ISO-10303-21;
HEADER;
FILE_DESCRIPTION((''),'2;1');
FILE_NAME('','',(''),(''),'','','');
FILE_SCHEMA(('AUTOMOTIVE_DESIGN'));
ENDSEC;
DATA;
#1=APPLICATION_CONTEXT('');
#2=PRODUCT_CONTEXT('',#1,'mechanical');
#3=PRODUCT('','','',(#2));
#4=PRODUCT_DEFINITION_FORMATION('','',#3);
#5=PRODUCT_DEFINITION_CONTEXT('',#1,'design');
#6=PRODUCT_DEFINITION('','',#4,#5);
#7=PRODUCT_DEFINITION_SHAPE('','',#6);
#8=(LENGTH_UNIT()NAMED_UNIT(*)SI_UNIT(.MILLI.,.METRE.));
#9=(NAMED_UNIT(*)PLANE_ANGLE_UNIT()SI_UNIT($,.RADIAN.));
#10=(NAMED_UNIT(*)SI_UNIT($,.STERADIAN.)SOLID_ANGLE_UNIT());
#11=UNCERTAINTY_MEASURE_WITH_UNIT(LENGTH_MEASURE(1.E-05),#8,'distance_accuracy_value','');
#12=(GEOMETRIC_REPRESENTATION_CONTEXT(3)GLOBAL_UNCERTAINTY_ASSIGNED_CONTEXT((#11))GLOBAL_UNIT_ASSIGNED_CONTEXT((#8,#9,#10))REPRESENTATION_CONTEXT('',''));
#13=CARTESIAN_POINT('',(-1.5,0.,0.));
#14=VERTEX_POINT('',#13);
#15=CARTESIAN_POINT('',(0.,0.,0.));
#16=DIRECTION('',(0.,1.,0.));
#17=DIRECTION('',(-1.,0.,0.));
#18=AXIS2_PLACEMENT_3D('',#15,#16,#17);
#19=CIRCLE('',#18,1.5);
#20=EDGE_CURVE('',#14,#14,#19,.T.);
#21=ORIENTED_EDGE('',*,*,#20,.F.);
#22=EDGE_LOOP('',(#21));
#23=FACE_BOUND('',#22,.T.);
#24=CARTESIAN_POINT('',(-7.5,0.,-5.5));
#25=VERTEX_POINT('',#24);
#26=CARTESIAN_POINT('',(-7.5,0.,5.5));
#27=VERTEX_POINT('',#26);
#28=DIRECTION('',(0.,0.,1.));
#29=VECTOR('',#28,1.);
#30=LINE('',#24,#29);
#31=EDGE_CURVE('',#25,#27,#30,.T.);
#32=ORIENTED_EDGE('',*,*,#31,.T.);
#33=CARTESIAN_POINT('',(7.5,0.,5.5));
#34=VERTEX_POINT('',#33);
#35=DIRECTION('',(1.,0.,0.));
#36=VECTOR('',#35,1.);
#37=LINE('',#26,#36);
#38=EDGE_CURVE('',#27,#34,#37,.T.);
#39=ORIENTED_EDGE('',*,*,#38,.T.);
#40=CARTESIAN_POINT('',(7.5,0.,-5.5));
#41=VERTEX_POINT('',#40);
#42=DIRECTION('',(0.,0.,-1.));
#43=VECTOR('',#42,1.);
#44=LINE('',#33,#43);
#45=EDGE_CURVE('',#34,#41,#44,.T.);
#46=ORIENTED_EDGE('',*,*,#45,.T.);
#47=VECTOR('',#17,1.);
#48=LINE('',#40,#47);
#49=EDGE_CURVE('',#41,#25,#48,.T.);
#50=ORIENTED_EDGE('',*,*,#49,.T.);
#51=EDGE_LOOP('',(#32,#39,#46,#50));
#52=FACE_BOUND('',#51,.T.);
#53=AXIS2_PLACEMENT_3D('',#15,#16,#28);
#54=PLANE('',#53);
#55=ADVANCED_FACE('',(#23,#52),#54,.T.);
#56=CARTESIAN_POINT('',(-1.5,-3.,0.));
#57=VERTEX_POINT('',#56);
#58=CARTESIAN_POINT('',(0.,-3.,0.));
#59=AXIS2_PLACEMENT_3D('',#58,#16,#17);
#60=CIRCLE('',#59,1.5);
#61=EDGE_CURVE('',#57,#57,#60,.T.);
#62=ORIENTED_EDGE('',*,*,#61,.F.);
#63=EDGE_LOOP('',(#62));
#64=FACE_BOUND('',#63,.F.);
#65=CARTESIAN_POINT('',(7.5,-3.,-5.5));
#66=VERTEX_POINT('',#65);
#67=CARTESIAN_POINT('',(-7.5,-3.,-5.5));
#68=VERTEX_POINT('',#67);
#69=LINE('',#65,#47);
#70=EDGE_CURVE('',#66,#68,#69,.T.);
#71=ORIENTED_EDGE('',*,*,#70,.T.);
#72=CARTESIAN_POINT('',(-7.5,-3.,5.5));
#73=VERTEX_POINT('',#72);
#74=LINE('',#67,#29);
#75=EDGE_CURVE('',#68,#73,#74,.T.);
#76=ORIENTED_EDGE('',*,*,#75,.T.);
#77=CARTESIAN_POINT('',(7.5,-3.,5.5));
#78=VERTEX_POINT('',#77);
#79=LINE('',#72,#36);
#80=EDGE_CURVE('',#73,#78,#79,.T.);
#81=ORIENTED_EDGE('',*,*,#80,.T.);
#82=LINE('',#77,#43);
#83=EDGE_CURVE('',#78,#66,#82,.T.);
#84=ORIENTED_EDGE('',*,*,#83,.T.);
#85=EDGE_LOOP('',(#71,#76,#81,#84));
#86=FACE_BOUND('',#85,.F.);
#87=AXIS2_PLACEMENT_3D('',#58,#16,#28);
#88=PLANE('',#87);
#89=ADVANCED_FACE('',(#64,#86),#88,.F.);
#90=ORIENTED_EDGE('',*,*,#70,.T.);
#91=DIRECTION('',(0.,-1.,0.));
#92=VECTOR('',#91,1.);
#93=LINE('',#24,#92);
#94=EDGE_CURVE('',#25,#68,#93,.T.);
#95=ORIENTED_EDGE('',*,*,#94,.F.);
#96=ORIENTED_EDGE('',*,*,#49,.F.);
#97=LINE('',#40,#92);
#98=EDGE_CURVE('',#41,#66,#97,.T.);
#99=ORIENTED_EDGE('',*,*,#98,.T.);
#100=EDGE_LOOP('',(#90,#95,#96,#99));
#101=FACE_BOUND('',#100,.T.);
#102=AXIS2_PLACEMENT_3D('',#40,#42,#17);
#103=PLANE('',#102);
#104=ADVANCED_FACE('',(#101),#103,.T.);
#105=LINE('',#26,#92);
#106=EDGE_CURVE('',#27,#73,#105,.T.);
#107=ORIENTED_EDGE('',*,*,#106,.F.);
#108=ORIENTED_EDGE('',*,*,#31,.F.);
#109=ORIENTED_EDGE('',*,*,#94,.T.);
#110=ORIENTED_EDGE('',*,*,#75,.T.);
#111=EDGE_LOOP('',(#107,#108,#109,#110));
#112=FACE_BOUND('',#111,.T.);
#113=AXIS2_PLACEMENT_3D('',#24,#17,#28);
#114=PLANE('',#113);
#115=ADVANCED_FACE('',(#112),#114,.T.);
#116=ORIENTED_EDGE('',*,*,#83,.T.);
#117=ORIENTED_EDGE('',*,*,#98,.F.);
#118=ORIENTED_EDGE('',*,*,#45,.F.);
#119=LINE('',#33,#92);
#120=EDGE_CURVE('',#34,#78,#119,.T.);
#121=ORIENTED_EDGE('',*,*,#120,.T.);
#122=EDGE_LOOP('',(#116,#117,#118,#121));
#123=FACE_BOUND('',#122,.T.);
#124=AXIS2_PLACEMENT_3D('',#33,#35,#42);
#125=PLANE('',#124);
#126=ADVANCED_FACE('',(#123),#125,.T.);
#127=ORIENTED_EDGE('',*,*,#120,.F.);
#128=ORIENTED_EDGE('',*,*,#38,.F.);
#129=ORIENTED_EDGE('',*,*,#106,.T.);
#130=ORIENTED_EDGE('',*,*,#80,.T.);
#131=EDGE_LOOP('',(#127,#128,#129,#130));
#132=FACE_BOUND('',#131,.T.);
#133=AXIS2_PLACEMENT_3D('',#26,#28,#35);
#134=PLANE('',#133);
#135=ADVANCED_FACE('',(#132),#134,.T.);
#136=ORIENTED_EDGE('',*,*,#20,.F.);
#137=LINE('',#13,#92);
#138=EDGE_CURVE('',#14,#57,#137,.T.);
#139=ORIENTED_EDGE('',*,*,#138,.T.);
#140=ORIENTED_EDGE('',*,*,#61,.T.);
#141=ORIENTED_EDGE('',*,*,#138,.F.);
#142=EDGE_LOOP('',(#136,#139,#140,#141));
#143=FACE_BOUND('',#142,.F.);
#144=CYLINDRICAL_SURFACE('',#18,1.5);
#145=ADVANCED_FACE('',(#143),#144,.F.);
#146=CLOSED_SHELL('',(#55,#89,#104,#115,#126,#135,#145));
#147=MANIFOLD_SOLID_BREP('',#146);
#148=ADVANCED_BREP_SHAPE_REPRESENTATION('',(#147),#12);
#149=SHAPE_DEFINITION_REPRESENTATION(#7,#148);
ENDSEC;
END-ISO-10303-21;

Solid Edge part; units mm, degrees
sketch "Sketch1" plane through (0, 0, 0) normal (0, 1, 0) x (-1, 0, 0)
  line L0 (-7.5, 5.5) -> (-7.5, -5.5)
  line L1 (-7.5, -5.5) -> (7.5, -5.5)
  line L2 (7.5, -5.5) -> (7.5, 5.5)
  line L3 (7.5, 5.5) -> (-7.5, 5.5)
  circle A0 centre (0, 0) radius 1.5
  dimension "D1" = 15
  dimension "D2" = 11
extrude "Protrusion1" add sketch "Sketch1" against normal blind 3
properties material "Wood, Oak"
